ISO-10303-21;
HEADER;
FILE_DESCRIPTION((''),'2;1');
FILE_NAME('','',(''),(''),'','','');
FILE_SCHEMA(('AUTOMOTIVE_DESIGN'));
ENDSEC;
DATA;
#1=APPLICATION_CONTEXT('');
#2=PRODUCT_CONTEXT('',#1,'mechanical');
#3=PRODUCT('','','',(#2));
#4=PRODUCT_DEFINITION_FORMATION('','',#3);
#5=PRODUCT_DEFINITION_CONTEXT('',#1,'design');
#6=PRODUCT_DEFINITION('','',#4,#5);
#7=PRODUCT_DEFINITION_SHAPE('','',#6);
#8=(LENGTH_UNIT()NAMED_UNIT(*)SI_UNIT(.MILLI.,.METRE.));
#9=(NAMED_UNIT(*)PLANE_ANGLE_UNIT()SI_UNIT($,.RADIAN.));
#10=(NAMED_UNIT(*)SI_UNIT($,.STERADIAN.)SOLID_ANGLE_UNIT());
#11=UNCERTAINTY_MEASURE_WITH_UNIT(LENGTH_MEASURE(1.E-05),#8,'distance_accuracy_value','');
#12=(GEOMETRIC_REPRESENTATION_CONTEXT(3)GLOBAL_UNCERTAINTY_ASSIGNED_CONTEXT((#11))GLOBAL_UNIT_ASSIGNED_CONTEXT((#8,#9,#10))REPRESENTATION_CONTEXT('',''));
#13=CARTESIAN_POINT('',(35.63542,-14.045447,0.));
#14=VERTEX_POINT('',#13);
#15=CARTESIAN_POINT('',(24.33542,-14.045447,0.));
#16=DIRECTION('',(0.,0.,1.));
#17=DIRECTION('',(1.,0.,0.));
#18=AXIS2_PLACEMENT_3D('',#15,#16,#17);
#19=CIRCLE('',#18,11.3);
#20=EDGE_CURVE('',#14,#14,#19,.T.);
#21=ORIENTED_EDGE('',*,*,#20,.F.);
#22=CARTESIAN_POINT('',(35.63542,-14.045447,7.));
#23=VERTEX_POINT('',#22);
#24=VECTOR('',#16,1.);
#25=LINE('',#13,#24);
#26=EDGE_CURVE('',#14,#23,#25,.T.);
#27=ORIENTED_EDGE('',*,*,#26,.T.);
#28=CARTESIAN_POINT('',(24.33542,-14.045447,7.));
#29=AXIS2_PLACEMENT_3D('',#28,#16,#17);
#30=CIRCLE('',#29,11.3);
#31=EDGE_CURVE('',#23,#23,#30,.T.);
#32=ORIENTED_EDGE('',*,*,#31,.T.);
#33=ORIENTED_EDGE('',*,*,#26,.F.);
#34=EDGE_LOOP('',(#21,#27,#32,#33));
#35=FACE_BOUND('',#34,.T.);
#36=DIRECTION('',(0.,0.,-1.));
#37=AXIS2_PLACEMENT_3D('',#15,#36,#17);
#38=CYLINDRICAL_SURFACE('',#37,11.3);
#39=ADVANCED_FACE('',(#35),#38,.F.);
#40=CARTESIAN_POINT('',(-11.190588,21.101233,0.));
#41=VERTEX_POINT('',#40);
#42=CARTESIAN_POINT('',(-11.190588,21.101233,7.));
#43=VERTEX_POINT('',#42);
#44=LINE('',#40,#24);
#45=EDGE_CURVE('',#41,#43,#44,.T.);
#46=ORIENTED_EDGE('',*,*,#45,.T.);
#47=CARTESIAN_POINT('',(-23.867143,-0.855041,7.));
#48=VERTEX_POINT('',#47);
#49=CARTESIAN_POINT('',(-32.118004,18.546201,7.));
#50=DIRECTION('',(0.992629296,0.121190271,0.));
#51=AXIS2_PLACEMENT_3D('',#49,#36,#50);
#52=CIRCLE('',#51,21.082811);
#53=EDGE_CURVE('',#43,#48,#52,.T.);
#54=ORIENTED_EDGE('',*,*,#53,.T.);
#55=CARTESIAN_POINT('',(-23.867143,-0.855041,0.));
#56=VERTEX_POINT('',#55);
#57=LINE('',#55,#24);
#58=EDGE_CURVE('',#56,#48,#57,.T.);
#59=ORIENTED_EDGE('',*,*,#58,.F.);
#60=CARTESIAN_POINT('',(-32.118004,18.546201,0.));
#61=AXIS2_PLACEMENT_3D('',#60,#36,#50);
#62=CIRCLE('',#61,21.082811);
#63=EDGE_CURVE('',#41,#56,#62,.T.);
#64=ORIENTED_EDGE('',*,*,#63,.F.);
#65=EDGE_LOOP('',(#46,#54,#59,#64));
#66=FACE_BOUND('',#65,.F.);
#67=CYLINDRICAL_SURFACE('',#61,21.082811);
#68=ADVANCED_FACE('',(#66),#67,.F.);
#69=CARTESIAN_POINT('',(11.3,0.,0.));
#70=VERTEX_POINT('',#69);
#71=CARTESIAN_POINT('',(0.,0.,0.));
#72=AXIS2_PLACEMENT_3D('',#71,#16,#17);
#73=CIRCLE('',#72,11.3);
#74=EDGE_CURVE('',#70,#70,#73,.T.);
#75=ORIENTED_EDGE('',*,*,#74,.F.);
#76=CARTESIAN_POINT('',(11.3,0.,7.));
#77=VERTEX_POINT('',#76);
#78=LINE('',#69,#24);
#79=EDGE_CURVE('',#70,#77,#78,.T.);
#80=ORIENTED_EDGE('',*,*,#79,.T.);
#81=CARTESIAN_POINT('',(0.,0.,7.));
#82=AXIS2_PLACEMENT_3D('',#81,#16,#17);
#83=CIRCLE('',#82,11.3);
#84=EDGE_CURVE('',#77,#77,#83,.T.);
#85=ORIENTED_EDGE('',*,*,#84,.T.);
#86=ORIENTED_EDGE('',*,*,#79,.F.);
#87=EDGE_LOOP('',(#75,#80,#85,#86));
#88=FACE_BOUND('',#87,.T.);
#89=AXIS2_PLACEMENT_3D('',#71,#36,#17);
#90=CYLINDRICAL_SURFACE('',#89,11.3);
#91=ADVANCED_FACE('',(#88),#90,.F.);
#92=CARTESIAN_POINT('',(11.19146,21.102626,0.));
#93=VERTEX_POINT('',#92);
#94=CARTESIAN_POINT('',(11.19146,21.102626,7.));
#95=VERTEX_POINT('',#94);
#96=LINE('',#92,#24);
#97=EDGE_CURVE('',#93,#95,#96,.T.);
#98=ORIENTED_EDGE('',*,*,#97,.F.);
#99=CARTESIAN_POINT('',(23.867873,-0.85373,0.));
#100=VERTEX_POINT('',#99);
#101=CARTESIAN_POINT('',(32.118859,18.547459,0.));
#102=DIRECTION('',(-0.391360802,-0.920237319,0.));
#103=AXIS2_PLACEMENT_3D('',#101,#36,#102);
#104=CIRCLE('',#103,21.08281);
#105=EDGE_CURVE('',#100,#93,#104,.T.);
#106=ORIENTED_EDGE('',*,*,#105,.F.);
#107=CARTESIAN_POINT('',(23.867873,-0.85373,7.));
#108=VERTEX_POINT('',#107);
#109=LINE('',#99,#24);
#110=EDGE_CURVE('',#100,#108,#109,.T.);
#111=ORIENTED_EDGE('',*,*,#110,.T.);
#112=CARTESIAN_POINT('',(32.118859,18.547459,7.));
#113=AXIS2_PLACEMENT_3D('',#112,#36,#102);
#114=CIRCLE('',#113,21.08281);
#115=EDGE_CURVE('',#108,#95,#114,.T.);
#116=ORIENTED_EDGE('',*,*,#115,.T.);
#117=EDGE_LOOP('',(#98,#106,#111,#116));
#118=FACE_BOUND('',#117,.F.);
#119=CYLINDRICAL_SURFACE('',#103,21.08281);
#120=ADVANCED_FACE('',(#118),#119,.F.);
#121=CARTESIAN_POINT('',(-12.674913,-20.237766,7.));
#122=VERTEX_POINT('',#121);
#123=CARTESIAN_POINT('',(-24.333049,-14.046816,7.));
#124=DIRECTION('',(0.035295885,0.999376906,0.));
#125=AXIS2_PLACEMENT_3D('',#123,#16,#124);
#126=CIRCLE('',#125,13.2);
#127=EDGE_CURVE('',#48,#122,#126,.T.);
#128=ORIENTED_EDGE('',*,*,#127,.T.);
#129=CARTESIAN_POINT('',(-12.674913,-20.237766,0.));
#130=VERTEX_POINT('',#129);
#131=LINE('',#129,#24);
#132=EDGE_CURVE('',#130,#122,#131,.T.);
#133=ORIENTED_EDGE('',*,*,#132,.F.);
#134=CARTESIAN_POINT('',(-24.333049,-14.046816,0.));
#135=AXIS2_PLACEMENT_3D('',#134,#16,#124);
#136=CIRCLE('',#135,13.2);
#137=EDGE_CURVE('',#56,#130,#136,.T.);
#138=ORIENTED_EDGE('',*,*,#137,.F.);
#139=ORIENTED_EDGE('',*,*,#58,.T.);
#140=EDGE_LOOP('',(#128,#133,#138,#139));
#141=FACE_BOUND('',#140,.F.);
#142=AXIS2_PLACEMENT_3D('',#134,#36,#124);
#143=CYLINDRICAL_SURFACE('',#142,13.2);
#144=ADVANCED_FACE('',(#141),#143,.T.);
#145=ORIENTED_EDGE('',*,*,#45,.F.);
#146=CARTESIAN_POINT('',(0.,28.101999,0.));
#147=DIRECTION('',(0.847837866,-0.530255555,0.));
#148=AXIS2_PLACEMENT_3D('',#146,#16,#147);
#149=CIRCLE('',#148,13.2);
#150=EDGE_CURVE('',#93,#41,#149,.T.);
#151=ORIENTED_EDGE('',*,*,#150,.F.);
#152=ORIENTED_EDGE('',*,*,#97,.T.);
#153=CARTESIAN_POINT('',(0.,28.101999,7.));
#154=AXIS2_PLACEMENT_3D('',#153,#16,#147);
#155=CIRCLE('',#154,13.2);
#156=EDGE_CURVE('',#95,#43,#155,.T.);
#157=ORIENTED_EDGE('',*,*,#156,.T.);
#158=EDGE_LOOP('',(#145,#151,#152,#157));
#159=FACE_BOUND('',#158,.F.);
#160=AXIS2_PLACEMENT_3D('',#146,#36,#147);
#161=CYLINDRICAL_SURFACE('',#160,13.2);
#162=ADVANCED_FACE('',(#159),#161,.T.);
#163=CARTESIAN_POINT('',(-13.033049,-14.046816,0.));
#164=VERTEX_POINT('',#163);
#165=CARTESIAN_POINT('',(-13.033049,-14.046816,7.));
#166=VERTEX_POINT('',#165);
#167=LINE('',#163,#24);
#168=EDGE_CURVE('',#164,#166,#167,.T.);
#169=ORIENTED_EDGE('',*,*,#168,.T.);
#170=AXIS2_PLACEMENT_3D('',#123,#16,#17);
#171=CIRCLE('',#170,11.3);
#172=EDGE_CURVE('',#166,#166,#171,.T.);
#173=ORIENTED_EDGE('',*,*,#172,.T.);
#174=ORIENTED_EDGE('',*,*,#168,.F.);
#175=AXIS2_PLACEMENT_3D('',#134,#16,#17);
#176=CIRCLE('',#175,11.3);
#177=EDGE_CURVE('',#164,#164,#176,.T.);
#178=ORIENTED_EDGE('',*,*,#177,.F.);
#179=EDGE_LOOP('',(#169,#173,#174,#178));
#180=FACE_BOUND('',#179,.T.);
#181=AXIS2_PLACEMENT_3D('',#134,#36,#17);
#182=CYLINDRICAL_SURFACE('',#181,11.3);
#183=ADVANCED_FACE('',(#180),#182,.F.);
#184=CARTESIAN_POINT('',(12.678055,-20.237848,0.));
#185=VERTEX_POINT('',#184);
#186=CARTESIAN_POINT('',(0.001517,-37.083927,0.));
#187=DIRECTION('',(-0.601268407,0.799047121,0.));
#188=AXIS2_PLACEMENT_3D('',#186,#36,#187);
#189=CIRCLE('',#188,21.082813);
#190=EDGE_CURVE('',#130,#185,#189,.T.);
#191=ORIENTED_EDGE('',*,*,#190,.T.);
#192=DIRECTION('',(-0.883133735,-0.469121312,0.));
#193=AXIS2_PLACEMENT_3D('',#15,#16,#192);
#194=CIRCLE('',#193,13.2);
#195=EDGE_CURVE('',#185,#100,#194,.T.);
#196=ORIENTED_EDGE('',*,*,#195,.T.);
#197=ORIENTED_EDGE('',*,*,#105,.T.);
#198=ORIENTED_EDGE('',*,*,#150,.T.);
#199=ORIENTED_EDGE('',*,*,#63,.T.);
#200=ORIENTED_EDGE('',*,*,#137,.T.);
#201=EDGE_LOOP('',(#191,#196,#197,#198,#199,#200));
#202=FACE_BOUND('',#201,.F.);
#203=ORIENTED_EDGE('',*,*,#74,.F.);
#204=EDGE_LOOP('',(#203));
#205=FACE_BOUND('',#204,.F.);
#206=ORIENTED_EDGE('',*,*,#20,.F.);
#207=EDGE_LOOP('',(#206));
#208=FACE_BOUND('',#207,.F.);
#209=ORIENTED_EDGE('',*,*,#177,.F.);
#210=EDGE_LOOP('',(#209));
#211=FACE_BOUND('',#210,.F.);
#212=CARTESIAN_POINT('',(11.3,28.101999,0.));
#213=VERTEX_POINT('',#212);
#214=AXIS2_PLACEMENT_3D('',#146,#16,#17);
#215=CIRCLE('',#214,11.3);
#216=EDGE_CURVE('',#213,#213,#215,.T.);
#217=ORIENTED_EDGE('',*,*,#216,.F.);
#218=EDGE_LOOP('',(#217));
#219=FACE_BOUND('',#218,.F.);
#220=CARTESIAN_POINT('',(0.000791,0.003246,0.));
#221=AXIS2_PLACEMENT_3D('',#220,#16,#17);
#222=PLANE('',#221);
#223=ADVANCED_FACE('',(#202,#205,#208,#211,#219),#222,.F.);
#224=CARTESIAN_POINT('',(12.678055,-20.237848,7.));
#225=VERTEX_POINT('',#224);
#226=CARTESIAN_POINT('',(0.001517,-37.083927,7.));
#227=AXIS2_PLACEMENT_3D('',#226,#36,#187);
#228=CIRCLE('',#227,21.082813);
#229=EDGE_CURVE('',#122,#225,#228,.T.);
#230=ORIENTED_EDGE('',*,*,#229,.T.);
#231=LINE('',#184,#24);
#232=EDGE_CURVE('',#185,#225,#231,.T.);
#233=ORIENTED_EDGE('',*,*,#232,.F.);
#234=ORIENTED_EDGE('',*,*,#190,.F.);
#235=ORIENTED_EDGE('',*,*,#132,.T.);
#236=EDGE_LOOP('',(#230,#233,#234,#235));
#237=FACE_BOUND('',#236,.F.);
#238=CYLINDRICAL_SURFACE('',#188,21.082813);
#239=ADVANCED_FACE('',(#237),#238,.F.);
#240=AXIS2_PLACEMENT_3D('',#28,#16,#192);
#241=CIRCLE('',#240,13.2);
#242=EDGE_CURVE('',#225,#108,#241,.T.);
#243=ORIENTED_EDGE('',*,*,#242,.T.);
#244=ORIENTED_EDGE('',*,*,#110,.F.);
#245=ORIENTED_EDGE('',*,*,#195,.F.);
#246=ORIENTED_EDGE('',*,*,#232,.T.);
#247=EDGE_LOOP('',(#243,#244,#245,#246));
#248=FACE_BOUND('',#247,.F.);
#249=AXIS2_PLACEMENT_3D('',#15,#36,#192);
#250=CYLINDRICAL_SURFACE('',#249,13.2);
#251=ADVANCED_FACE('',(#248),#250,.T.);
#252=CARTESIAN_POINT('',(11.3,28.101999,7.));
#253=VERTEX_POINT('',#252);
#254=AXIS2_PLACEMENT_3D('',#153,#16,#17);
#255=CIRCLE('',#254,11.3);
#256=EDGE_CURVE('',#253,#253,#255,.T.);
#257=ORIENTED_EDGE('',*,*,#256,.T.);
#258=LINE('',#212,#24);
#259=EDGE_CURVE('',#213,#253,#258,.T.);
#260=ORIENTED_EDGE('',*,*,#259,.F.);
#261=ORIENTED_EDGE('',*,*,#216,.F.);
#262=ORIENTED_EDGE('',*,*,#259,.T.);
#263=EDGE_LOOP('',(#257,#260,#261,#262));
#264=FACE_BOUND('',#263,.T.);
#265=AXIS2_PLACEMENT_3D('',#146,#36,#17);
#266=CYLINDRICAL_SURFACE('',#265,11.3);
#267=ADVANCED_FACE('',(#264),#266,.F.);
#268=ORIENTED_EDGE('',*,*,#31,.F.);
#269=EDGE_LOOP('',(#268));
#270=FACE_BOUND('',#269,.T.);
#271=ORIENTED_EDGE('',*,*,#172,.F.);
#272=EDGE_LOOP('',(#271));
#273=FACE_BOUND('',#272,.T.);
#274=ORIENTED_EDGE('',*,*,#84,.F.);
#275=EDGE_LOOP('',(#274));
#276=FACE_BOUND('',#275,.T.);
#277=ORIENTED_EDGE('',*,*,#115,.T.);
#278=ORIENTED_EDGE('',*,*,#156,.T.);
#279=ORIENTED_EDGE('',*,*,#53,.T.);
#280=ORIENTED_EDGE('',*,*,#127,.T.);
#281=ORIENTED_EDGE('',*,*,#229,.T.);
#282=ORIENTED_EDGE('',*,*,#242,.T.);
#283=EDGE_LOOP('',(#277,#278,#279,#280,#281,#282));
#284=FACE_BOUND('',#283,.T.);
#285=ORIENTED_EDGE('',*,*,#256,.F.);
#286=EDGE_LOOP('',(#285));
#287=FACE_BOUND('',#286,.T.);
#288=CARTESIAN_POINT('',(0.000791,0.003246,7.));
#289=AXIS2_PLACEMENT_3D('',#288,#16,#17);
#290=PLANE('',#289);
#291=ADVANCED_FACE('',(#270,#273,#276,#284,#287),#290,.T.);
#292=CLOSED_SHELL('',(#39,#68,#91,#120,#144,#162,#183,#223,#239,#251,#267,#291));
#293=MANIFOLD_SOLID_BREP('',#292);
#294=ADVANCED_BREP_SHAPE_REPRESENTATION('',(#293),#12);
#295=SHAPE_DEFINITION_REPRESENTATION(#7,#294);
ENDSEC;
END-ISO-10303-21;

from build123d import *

# Parameters (mm, degrees)
F0_R     = 11.3
F1_DEPTH = 7


with BuildPart() as f1:
    # F0 (on Top) → F1 (new body)
    with BuildSketch(Plane.XY):
        with BuildLine():
            ThreePointArc((23.867873, -0.85373), (13.860575, 8.006113), (11.19146, 21.102626))
            ThreePointArc((11.19146, 21.102626), (-0.000822, 41.301999), (-11.190588, 21.101233))
            ThreePointArc((-11.190588, 21.101233), (-13.859788, 8.004737), (-23.867143, -0.855041))
            ThreePointArc((-23.867143, -0.855041), (-35.764173, -20.647527), (-12.674913, -20.237766))
            ThreePointArc((-12.674913, -20.237766), (0.001585, -16.001114), (12.678055, -20.237848))
            ThreePointArc((12.678055, -20.237848), (35.767366, -20.644735), (23.867873, -0.85373))
        make_face()
        with Locations((-24.333049, -14.046816)):
            Circle(F0_R, mode=Mode.SUBTRACT)
        Circle(F0_R, mode=Mode.SUBTRACT)
        with Locations((24.33542, -14.045447)):
            Circle(F0_R, mode=Mode.SUBTRACT)
        with Locations((0, 28.101999)):
            Circle(F0_R, mode=Mode.SUBTRACT)
    extrude(amount=F1_DEPTH)


solid = f1.part
